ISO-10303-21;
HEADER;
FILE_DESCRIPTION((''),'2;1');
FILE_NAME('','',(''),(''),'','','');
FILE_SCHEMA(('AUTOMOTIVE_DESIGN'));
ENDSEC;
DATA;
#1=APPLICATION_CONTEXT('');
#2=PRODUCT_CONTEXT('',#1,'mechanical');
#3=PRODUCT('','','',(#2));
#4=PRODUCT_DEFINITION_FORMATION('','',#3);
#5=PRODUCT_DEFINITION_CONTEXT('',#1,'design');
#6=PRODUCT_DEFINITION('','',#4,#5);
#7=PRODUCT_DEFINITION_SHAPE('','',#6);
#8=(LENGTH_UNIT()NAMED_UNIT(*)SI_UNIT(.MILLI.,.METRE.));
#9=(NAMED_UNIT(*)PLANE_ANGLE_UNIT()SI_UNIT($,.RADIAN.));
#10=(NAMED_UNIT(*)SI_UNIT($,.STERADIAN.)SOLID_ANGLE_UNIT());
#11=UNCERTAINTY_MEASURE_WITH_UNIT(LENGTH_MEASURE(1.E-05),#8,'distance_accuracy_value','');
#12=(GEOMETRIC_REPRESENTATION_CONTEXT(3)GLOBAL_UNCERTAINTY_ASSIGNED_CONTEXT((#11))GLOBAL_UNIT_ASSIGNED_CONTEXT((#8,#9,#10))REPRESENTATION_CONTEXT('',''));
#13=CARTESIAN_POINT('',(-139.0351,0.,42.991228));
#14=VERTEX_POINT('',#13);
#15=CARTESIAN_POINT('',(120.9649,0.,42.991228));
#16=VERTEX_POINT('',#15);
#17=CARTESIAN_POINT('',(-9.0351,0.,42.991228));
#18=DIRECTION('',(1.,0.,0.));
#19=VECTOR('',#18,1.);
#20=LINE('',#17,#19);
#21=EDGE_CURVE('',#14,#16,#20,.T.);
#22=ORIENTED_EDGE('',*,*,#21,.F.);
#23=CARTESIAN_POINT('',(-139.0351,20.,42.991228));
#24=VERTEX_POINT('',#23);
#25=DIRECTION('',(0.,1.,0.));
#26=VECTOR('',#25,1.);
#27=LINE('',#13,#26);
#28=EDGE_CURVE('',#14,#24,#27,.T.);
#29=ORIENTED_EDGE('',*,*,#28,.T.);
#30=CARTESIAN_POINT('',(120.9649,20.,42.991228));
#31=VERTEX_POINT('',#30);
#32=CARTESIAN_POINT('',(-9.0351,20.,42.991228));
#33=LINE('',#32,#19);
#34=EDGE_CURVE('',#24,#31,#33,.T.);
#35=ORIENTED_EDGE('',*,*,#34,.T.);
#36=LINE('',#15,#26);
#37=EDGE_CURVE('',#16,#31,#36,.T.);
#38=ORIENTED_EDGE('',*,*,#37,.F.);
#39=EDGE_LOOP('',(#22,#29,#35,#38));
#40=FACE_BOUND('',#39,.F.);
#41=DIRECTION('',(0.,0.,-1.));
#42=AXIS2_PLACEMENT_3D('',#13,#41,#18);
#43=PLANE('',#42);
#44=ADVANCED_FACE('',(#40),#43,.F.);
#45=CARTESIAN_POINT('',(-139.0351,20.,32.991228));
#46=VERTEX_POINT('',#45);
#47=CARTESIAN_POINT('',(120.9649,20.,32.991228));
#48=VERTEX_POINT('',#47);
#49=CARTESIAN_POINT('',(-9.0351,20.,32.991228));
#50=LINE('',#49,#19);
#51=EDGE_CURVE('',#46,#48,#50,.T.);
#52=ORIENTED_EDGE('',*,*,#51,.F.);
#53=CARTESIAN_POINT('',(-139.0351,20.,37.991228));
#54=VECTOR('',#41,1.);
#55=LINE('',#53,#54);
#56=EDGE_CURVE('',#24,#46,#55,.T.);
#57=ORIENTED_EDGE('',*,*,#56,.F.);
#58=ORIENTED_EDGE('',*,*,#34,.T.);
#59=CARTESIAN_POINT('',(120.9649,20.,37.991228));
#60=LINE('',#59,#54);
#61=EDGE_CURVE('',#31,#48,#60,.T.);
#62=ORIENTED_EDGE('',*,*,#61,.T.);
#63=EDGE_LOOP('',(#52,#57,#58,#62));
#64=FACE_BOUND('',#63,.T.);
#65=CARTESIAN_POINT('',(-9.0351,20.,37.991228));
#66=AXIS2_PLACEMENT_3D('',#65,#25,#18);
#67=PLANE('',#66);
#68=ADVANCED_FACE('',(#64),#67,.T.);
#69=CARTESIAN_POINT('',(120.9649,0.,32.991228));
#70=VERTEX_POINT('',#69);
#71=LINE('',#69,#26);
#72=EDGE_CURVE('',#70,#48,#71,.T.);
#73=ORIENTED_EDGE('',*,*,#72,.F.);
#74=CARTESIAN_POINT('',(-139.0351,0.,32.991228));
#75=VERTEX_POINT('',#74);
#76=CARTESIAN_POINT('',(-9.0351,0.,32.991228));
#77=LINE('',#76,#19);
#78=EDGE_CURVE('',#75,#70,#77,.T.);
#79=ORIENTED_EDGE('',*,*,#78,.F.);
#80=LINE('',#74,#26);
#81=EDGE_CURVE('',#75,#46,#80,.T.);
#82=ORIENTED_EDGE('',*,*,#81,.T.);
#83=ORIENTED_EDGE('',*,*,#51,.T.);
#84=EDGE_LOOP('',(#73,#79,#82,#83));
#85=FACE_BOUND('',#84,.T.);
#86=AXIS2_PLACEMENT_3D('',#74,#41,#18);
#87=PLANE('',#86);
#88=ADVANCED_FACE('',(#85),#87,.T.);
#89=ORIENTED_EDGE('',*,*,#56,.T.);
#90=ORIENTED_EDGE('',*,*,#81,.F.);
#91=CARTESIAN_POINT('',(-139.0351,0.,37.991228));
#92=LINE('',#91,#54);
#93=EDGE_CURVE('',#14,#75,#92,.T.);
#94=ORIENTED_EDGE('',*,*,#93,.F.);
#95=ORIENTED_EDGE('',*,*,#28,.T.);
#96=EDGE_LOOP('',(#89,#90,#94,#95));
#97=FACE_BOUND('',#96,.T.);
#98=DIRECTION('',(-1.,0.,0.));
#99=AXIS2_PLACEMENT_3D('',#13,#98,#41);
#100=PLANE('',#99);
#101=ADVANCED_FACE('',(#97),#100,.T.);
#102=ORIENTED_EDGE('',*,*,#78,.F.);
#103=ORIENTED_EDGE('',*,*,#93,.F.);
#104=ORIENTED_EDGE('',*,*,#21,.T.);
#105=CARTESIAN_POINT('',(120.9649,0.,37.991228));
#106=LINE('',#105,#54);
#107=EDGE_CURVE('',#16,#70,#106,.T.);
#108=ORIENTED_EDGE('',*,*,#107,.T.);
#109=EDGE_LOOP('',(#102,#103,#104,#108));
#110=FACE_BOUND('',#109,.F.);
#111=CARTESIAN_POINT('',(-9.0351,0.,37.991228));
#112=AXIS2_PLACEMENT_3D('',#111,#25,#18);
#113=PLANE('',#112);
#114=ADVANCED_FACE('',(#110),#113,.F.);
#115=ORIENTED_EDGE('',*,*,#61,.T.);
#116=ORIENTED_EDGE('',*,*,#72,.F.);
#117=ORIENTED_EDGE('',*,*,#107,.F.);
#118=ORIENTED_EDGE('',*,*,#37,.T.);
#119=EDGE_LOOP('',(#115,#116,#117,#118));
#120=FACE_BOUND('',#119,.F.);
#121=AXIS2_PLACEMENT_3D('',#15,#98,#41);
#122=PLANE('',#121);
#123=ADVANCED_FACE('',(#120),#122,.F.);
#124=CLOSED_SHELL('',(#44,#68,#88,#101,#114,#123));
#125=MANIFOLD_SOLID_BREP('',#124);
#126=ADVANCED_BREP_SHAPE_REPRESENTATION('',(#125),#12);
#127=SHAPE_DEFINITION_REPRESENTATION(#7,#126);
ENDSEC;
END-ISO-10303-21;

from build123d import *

# Parameters (mm, degrees)
SKETCH1_W           = 260
SKETCH1_H           = 10
BOSS_EXTRUDE1_DEPTH = 20


with BuildPart() as part:
    # Sketch1 → Boss-Extrude1 (new body)
    with BuildSketch(Plane(origin=(0, 0, 0), x_dir=(1, 0, 0), z_dir=(0, 1, 0))):
        with Locations((-9.035099735, -37.99122807)):
            Rectangle(SKETCH1_W, SKETCH1_H)
    extrude(amount=BOSS_EXTRUDE1_DEPTH)


solid = part.part
